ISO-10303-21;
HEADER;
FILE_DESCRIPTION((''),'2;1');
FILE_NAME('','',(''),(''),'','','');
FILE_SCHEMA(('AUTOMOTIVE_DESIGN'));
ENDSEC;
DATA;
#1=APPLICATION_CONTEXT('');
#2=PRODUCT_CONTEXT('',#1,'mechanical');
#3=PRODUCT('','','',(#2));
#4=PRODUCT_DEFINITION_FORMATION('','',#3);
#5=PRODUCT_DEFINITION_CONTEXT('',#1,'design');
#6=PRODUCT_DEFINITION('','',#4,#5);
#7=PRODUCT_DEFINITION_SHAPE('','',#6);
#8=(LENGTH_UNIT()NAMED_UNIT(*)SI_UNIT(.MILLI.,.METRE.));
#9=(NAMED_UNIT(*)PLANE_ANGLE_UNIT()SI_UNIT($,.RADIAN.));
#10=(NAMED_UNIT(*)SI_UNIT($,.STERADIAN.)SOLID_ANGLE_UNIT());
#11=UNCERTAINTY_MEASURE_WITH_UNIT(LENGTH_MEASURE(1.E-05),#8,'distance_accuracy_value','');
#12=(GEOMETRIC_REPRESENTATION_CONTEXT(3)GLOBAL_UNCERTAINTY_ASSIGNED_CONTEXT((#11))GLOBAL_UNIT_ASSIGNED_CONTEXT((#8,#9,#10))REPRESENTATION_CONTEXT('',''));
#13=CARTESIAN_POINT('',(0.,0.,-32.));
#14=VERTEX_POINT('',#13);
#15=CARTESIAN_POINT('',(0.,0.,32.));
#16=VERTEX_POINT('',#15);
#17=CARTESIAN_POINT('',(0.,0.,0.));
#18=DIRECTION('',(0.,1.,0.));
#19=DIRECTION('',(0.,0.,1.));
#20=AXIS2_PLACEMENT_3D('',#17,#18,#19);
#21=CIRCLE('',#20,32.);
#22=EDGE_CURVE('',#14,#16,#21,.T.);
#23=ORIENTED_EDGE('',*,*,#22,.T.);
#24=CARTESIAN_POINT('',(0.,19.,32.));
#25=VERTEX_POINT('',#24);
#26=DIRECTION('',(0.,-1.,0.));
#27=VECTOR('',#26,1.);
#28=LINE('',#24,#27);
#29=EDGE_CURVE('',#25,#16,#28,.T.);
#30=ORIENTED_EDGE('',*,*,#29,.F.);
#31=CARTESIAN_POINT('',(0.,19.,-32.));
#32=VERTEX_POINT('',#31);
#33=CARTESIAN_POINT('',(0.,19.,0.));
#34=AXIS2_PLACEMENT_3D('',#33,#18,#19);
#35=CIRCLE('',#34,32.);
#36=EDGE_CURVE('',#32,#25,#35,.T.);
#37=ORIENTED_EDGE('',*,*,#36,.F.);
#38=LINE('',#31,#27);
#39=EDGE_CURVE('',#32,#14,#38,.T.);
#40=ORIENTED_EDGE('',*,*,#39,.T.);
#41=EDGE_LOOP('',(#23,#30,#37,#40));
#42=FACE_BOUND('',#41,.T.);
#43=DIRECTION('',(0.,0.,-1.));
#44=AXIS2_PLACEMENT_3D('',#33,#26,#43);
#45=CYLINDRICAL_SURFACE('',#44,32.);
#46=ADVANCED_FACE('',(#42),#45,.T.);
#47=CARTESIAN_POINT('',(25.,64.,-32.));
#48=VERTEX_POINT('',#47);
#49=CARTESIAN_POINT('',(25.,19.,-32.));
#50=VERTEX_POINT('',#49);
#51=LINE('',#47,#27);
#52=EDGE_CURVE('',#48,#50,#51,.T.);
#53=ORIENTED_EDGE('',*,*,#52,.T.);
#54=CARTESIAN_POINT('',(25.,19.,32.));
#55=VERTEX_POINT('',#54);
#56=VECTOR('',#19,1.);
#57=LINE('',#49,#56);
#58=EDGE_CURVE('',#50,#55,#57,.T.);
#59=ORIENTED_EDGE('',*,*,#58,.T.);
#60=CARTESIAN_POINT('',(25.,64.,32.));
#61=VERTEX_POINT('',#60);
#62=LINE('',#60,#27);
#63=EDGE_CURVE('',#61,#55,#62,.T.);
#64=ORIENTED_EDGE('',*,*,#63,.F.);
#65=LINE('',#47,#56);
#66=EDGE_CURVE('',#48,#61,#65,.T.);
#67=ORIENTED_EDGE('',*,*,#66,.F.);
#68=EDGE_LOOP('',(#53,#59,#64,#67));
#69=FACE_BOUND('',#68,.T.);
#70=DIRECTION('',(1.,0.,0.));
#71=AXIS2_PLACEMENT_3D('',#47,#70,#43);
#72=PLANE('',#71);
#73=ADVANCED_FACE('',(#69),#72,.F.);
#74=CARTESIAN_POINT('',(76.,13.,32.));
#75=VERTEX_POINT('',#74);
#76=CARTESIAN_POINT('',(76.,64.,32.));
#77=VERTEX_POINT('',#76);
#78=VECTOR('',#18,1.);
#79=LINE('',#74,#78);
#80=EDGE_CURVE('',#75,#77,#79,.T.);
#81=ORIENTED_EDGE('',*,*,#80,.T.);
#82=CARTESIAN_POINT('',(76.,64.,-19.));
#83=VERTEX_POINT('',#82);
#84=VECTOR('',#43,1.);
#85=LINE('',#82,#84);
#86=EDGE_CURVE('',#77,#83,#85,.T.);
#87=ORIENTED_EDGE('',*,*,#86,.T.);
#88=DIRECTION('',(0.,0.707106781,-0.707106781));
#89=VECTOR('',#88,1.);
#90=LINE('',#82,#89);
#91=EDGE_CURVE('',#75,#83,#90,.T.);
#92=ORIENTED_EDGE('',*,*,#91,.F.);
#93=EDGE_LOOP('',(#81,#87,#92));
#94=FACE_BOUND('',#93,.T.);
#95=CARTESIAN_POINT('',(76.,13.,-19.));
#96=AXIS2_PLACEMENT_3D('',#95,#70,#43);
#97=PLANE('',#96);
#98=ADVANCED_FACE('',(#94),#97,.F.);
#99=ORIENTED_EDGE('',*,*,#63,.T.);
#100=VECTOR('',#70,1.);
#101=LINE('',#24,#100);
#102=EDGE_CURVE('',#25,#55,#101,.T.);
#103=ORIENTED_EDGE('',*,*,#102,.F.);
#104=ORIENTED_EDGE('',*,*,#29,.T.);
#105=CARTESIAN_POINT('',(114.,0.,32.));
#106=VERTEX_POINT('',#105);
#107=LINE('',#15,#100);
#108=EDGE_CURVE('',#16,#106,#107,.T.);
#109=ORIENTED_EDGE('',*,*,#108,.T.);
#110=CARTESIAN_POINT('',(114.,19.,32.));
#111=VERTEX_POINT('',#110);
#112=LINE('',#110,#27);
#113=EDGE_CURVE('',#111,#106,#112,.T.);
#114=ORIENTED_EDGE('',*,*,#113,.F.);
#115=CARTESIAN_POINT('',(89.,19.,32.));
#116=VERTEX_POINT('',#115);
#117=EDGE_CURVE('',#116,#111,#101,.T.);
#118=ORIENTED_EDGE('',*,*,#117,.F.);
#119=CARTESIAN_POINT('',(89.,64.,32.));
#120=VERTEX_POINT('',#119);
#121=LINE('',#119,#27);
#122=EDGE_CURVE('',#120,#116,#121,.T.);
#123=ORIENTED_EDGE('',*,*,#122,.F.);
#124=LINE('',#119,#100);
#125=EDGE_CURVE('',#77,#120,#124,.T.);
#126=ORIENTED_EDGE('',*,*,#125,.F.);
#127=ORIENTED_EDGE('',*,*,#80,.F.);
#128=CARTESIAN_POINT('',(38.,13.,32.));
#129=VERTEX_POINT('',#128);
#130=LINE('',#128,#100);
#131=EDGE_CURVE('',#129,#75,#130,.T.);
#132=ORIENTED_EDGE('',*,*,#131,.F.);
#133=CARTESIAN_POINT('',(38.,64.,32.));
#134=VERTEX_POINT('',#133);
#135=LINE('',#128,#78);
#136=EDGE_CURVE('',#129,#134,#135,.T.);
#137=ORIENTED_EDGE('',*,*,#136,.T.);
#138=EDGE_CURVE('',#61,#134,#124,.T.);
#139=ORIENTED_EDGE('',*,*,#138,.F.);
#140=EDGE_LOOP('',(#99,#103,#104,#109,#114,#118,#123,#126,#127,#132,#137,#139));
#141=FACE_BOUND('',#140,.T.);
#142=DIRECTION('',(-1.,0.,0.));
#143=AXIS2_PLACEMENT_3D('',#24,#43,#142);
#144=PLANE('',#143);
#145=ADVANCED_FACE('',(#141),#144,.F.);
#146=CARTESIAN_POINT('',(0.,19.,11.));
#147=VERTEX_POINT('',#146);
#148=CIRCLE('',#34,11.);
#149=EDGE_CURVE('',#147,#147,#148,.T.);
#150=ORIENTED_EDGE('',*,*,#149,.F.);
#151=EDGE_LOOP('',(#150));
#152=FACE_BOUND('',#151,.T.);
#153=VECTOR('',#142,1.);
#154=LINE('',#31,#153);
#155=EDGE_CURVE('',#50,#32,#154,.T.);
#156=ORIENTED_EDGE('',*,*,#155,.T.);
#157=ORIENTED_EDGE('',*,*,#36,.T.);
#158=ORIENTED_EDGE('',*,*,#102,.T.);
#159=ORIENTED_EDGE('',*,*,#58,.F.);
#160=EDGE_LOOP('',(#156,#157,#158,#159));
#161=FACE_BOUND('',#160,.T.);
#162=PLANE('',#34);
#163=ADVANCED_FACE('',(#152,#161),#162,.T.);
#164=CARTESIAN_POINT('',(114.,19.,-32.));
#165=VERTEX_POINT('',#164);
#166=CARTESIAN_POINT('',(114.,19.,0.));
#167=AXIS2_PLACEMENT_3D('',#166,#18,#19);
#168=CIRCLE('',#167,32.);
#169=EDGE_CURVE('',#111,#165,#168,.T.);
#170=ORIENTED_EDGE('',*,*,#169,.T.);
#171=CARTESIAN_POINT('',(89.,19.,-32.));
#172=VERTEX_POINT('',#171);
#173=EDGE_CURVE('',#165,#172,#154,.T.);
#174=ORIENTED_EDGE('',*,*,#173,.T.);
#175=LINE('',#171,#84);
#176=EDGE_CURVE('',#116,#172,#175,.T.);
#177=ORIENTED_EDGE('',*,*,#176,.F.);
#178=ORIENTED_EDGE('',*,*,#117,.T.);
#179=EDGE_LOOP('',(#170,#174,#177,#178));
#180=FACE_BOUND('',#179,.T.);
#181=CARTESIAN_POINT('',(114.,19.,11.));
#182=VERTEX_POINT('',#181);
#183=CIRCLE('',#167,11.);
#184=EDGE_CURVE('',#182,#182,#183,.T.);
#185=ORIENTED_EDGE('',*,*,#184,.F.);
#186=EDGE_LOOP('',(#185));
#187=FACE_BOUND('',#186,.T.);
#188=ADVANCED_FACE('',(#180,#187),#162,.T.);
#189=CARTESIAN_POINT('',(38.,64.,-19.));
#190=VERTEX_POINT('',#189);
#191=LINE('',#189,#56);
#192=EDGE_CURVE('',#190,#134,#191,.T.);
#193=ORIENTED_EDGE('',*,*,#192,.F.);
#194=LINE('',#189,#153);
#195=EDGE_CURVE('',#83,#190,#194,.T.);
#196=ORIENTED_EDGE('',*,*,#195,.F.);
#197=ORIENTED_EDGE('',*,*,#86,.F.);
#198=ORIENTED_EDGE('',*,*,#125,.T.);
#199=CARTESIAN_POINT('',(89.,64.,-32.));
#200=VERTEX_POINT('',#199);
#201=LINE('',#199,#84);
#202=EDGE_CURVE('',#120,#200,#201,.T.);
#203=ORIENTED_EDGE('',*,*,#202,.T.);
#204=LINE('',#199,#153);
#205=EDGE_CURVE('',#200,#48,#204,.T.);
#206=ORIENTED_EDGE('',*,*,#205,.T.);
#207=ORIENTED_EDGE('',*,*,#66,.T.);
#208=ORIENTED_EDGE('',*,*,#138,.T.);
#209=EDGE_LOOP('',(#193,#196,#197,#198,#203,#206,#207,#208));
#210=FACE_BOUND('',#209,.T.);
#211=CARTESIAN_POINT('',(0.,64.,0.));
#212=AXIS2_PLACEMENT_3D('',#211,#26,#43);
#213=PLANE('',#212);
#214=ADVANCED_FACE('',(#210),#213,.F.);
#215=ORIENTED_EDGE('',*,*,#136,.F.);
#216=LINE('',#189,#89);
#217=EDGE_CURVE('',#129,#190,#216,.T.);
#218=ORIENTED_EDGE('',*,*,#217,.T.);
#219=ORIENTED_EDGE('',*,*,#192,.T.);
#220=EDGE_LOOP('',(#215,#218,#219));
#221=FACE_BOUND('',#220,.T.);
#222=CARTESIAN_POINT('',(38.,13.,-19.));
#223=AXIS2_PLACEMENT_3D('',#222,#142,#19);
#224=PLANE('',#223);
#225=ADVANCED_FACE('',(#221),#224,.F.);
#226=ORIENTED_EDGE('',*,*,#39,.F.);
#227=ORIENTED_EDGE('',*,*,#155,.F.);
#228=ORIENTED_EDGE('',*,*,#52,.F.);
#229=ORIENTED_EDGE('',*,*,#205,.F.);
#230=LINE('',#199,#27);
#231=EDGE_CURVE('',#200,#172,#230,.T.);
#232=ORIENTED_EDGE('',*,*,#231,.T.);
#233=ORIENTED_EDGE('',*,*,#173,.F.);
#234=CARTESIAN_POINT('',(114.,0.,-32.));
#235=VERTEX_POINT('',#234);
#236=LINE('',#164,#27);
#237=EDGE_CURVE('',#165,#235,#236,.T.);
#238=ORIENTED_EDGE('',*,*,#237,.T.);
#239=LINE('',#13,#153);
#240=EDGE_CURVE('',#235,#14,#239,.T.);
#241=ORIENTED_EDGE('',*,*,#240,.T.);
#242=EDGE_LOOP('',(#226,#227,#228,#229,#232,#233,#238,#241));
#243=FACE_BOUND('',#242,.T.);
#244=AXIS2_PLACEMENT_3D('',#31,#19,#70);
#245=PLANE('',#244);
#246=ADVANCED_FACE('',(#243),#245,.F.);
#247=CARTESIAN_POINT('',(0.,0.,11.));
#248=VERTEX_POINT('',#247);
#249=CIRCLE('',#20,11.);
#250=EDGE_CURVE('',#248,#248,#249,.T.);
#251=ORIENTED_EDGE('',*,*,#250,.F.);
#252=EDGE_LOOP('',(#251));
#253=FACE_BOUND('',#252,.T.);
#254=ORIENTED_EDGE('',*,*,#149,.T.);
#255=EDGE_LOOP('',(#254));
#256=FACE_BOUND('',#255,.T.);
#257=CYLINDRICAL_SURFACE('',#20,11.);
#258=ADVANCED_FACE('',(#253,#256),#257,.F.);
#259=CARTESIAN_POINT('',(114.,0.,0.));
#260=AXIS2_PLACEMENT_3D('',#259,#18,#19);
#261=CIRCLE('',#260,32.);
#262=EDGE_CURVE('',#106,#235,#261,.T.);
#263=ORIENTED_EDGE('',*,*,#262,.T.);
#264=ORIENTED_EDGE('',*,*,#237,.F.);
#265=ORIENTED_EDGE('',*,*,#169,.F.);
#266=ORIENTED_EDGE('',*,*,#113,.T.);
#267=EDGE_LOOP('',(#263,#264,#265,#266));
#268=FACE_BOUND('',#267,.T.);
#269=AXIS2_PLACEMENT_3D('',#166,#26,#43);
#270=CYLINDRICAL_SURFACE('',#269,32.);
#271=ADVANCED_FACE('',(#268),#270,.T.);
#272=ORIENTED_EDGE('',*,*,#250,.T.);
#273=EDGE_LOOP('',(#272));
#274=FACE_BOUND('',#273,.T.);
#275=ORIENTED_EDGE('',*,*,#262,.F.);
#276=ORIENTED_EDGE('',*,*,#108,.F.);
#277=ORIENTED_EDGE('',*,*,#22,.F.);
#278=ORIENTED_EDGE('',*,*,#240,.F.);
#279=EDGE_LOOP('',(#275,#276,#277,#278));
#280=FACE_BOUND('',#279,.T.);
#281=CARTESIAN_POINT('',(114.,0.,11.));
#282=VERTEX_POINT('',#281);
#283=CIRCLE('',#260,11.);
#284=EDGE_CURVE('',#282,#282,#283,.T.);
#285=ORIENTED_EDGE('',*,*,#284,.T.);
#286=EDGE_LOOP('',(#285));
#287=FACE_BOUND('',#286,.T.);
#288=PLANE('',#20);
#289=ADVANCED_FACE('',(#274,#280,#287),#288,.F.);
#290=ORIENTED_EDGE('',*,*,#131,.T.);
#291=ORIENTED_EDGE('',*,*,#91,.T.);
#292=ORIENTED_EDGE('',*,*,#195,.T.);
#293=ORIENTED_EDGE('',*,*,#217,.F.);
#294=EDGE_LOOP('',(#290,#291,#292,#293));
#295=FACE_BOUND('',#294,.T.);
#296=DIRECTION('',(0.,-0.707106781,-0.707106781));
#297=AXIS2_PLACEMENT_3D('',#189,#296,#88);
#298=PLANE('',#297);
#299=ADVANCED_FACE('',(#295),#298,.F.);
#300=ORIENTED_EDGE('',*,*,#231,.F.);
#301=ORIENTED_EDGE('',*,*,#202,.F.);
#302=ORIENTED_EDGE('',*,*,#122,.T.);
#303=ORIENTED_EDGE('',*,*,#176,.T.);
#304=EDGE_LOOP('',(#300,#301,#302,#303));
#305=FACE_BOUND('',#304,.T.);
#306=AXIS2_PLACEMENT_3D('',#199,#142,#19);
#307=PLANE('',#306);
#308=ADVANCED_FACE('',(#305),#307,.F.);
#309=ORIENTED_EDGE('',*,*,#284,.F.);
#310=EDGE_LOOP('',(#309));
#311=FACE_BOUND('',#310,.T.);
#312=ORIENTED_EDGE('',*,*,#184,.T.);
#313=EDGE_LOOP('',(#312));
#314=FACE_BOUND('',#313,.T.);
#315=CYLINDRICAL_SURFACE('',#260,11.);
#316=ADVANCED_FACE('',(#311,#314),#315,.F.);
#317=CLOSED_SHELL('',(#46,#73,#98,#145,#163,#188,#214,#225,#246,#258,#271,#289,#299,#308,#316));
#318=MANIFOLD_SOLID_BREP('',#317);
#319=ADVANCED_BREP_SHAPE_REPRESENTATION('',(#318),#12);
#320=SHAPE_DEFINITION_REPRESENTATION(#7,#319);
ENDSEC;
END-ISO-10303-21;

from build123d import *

# Parameters (mm, degrees)
BOSS_EXTRUDE1_DEPTH = 19
SKETCH2_R           = 11
CUT_EXTRUDE1_DEPTH  = 19
SKETCH3_W           = 64
SKETCH3_H           = 64
BOSS_EXTRUDE2_DEPTH = 45
SKETCH10_W          = 38
SKETCH10_H          = 51
CUT_EXTRUDE2_DEPTH  = 51
BOSS_EXTRUDE3_DEPTH = 38


with BuildPart() as part:
    # Sketch1 → Boss-Extrude1 (new body)
    with BuildSketch(Plane(origin=(0, 0, 0), x_dir=(1, 0, 0), z_dir=(0, 1, 0))):
        with BuildLine():
            Line((0, 32), (114, 32))
            ThreePointArc((114, 32), (146, 0), (114, -32))
            Line((114, -32), (0, -32))
            ThreePointArc((0, -32), (-32, 0), (0, 32))
        make_face()
    extrude(amount=BOSS_EXTRUDE1_DEPTH)

    # Sketch2 → Cut-Extrude1 (cut)
    with BuildSketch(Plane(origin=(0, 19, 0), x_dir=(1, 0, 0), z_dir=(0, 1, 0))):
        Circle(SKETCH2_R)
        with Locations((114, 0)):
            Circle(SKETCH2_R)
    extrude(amount=-CUT_EXTRUDE1_DEPTH, mode=Mode.SUBTRACT)

    # Sketch3 → Boss-Extrude2 (add)
    with BuildSketch(Plane(origin=(0, 19, 0), x_dir=(1, 0, 0), z_dir=(0, 1, 0))):
        with Locations((57, 0)):
            Rectangle(SKETCH3_W, SKETCH3_H)
    extrude(amount=BOSS_EXTRUDE2_DEPTH)

    # Sketch10 → Cut-Extrude2 (cut)
    with BuildSketch(Plane(origin=(0, 64, 0), x_dir=(1, 0, 0), z_dir=(0, 1, 0))):
        with Locations((57, -6.5)):
            Rectangle(SKETCH10_W, SKETCH10_H)
    extrude(amount=-CUT_EXTRUDE2_DEPTH, mode=Mode.SUBTRACT)

    # Sketch11 → Boss-Extrude3 (add)
    with BuildSketch(Plane.ZY.offset(-76)):
        Polygon((-19, 64), (32, 13), (-19, 13), align=None)
    extrude(amount=BOSS_EXTRUDE3_DEPTH)


solid = part.part
